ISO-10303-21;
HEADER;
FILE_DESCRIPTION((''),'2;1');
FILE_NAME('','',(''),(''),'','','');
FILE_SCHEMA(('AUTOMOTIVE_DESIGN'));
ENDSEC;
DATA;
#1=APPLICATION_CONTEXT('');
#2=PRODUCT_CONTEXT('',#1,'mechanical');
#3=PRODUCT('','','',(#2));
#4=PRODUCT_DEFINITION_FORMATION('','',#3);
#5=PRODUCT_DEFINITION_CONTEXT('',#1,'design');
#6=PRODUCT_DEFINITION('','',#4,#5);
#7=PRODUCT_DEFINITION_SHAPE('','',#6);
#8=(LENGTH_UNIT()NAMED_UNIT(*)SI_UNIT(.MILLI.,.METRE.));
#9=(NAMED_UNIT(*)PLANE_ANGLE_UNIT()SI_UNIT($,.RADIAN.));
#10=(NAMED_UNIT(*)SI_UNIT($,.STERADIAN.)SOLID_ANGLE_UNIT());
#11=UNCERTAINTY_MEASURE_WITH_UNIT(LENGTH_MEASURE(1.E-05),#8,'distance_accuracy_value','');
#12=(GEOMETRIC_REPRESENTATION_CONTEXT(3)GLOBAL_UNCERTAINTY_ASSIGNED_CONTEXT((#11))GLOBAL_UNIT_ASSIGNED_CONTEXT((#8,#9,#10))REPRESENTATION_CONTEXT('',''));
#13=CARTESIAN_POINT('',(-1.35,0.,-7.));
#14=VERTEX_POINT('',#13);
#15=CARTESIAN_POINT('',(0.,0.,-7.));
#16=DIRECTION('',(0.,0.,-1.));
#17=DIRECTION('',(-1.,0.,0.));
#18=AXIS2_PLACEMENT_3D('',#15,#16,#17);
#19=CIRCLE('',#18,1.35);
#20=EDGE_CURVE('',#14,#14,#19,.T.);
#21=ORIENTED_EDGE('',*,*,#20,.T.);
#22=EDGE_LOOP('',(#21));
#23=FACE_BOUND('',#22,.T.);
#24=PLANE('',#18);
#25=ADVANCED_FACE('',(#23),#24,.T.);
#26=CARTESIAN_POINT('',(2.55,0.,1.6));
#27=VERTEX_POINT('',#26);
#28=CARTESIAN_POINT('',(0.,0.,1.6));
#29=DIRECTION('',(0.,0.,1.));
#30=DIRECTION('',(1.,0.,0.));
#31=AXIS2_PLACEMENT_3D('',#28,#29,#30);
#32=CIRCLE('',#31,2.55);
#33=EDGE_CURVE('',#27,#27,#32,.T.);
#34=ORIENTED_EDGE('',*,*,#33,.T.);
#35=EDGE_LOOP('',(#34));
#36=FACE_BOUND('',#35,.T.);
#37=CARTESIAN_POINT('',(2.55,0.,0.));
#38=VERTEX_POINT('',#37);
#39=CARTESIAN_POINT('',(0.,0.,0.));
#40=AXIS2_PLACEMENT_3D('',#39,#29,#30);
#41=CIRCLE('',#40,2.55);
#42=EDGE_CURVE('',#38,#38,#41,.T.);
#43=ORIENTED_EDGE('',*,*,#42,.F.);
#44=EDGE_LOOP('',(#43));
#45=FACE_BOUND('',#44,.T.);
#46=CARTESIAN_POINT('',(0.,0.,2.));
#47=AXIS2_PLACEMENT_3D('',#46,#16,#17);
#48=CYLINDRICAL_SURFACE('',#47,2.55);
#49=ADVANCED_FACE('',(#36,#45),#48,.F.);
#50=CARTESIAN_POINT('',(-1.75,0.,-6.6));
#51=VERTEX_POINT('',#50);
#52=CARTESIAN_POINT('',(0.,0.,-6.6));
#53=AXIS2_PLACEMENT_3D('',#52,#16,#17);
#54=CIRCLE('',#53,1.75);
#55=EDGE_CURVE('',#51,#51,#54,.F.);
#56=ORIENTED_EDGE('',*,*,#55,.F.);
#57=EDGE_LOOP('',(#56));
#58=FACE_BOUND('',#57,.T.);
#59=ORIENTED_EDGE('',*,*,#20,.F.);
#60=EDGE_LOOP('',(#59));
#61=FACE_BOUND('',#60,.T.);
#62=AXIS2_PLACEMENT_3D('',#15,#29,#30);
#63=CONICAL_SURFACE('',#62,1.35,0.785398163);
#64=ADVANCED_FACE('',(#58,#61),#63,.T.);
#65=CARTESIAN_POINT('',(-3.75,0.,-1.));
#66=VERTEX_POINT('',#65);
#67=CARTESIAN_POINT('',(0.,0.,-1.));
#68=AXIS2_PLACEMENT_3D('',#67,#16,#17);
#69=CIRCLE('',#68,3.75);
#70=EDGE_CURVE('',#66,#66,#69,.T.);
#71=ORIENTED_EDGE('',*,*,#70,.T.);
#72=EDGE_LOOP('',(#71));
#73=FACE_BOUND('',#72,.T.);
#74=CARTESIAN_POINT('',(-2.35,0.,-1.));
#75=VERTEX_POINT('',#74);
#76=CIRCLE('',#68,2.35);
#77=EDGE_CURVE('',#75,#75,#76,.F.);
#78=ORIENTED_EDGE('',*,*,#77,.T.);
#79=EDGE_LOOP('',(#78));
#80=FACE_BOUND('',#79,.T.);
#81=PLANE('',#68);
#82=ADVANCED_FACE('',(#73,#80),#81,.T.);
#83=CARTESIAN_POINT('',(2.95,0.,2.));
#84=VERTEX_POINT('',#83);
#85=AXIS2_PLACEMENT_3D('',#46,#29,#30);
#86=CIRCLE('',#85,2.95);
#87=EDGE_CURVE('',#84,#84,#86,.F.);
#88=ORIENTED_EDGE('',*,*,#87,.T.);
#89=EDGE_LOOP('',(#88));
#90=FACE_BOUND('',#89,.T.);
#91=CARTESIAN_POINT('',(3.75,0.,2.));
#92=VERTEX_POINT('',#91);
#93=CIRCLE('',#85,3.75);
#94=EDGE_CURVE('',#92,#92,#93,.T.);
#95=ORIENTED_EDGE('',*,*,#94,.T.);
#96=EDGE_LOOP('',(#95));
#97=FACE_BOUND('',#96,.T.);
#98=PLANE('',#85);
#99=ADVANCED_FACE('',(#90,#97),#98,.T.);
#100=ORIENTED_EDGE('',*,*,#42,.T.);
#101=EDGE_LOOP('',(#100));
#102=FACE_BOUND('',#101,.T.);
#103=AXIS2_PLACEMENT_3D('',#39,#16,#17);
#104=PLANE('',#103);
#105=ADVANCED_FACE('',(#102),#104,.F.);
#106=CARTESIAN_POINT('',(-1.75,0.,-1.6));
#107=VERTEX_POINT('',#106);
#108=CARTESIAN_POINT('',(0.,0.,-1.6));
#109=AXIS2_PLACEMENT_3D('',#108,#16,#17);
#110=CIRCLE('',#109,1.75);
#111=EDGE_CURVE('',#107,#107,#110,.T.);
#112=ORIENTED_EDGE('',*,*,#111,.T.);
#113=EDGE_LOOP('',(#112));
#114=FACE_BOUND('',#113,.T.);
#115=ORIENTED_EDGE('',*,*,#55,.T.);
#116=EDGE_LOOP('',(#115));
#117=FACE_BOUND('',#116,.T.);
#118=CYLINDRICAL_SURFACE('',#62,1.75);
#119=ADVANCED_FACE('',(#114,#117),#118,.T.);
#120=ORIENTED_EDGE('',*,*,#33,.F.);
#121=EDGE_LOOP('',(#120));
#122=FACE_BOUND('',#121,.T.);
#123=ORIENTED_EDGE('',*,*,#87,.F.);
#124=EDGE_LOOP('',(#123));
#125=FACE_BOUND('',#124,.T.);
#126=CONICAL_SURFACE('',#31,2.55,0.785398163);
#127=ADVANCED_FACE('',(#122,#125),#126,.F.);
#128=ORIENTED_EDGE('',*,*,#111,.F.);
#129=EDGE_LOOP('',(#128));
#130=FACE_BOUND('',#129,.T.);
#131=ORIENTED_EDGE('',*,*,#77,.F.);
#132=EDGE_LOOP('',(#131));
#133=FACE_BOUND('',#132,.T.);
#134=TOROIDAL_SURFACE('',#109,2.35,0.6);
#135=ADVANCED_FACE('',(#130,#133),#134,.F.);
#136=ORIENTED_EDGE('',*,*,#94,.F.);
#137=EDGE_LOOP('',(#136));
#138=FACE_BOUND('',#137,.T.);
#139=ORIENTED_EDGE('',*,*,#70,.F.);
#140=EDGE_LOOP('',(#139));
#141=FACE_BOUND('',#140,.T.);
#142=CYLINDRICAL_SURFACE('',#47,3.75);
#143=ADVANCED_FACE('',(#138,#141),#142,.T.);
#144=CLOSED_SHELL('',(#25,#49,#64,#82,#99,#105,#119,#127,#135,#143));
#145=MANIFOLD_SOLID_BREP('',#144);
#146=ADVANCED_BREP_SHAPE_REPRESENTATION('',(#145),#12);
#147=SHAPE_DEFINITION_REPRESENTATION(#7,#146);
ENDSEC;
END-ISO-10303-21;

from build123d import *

# Parameters (mm, degrees)
ESQUISSE1_R        = 3.75
ESQUISSE1_R_2      = 2.55
BOSS_EXTRU_1_DEPTH = 2
BOSS_EXTRU_2_START = 1
ESQUISSE2_R        = 3.75
BOSS_EXTRU_2_DEPTH = 1
ESQUISSE3_R        = 1.75
BOSS_EXTRU_3_DEPTH = 6
CONG_1_R           = 0.6
CHANFREIN1_SIZE    = 0.4
CHANFREIN2_SIZE    = 0.4


with BuildPart() as part:
    # Esquisse1 → Boss.-Extru.1 (new body)
    with BuildSketch(Plane.XY):
        Circle(ESQUISSE1_R)
        Circle(ESQUISSE1_R_2, mode=Mode.SUBTRACT)
    extrude(amount=BOSS_EXTRU_1_DEPTH)

    # Esquisse2 → Boss.-Extru.2 (add)
    with BuildSketch(Plane(origin=(0, 0, 0), x_dir=(-1, 0, 0), z_dir=(0, 0, -1)).offset(BOSS_EXTRU_2_START)):
        Circle(ESQUISSE2_R)
    extrude(amount=-BOSS_EXTRU_2_DEPTH)

    # Esquisse3 → Boss.-Extru.3 (add)
    with BuildSketch(Plane(origin=(0, 0, -1), x_dir=(-1, 0, 0), z_dir=(0, 0, -1))):
        Circle(ESQUISSE3_R)
    extrude(amount=BOSS_EXTRU_3_DEPTH)

    # Congé1
    cong_1_edges = [part.edges().sort_by_distance(p)[0] for p in [
        (1.75, 0, -1),
    ]]
    fillet(cong_1_edges, radius=CONG_1_R)

    # Chanfrein1
    chanfrein1_edges = [part.edges().sort_by_distance(p)[0] for p in [
        (1.75, 0, -7),
    ]]
    chamfer(chanfrein1_edges, length=CHANFREIN1_SIZE)

    # Chanfrein2
    chanfrein2_edges = [part.edges().sort_by_distance(p)[0] for p in [
        (-2.55, 0, 2),
    ]]
    chamfer(chanfrein2_edges, length=CHANFREIN2_SIZE)


solid = part.part
